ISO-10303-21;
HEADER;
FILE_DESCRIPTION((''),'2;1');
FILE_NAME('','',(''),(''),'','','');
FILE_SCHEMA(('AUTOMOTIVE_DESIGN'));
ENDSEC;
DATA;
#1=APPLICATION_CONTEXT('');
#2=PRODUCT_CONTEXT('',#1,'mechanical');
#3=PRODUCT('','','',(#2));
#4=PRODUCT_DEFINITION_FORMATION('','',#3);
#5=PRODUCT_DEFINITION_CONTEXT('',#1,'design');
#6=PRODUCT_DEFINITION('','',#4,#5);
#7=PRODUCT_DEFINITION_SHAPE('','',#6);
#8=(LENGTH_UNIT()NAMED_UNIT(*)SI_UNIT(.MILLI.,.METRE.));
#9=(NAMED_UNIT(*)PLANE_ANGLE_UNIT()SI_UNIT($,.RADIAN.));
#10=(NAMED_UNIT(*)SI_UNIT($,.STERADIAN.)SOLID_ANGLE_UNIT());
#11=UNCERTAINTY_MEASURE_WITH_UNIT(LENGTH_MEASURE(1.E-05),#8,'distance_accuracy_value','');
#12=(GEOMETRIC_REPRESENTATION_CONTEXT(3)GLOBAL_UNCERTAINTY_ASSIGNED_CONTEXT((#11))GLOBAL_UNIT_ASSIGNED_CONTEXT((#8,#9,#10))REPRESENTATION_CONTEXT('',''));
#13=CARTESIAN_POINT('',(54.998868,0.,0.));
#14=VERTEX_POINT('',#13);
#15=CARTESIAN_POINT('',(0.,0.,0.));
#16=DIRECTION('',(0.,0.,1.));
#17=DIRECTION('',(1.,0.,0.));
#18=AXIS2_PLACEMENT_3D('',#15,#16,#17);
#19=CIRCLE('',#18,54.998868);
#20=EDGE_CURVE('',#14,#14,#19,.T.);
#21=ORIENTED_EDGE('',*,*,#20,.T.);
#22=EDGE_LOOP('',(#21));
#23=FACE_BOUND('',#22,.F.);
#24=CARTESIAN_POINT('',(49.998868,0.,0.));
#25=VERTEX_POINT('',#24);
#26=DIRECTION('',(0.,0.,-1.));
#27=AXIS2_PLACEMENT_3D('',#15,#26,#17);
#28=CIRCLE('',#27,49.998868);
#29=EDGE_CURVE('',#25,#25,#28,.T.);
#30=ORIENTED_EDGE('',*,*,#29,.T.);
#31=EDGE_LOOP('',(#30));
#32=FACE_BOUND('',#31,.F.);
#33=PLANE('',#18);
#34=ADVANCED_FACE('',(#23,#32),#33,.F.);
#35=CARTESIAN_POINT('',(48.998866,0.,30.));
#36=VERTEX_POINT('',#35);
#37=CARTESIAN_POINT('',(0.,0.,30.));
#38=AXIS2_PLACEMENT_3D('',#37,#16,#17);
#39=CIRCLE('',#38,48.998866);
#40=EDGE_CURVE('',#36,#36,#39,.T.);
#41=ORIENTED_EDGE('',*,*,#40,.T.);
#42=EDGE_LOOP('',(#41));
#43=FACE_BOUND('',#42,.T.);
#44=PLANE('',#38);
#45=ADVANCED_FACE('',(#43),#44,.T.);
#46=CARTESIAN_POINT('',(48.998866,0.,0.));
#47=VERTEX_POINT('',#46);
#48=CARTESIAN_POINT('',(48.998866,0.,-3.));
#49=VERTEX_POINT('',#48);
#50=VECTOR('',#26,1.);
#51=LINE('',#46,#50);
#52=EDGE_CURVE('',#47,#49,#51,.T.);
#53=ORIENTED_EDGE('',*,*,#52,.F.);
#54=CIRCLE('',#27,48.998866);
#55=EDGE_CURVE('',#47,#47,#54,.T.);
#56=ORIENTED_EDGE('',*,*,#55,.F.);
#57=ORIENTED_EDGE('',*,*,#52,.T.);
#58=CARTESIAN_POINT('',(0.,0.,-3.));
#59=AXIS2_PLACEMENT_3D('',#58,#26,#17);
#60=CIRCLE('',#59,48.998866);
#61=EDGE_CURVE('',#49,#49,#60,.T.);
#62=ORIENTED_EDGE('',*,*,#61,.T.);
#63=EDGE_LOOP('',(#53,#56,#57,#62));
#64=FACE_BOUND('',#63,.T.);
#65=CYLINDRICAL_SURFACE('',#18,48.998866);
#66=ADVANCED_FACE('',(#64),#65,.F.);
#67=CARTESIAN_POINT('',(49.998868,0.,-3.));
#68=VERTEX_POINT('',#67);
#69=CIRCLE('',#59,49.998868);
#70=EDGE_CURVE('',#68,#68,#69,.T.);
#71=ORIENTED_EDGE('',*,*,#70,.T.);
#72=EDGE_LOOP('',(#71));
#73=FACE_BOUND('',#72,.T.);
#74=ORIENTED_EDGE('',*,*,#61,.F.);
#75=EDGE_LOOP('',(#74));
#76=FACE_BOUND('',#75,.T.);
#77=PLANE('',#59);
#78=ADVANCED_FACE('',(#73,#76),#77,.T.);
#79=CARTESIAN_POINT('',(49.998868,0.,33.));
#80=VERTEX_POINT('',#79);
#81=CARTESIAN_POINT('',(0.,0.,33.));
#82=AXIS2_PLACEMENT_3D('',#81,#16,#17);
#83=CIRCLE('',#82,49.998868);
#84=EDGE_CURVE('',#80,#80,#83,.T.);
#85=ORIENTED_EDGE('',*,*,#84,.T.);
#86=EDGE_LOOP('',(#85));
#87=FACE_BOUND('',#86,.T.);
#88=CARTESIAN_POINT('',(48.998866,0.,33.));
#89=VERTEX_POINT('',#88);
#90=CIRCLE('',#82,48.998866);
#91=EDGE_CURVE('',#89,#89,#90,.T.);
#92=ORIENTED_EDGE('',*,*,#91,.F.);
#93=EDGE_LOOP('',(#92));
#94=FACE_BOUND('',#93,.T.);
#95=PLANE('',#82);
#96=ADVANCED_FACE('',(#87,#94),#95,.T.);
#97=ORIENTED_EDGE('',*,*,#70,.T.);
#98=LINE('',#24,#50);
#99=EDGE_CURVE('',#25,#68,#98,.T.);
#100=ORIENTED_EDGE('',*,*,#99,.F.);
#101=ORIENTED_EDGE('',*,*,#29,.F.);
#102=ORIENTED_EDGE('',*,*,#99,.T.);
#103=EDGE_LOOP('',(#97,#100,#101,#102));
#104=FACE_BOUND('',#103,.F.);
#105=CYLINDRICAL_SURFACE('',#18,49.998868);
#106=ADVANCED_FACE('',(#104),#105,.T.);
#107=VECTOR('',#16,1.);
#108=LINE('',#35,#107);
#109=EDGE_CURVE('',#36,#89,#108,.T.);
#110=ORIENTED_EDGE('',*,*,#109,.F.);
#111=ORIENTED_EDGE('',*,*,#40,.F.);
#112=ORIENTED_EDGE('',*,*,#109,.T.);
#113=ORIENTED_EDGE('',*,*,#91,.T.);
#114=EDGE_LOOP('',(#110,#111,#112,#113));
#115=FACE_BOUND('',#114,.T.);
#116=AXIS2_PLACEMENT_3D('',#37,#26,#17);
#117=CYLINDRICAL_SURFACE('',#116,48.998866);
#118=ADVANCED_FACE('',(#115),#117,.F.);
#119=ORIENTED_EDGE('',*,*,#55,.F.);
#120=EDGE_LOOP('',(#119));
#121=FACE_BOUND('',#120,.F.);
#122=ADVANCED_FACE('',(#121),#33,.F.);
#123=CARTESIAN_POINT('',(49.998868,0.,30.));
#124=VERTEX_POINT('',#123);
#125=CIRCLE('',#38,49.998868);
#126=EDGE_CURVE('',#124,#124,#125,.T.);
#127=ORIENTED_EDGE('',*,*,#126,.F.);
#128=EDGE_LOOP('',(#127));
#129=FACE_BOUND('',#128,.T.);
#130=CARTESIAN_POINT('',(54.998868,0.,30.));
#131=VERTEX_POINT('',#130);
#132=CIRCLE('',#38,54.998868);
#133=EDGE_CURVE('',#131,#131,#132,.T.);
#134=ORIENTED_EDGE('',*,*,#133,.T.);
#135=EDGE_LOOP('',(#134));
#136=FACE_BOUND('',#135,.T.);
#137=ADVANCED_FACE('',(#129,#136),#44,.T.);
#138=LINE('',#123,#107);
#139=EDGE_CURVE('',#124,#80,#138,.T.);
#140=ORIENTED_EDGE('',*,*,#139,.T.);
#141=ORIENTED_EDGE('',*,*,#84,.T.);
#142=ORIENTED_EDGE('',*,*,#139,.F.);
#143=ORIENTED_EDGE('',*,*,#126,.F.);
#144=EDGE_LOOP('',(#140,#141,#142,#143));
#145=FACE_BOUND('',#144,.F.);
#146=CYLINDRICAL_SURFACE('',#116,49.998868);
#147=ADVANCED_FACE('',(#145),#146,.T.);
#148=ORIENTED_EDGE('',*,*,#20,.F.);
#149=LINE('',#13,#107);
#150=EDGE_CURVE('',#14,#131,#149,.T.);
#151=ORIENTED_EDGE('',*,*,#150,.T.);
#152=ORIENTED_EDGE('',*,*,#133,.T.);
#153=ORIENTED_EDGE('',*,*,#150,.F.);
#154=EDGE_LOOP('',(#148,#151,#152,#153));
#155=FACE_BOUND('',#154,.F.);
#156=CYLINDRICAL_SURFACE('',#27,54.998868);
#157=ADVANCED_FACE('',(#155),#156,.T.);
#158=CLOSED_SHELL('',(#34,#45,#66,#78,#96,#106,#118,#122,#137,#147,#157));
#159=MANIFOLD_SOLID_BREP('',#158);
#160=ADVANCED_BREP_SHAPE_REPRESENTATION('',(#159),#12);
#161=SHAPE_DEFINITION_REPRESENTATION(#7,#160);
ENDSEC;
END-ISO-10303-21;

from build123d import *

# Parameters (mm, degrees)
F0_R     = 54.998868
F1_DEPTH = 30
F2_R     = 49.998868
F2_R_2   = 48.998866
F3_DEPTH = 3
F4_R     = 49.998868
F4_R_2   = 48.998866
F5_DEPTH = 3


with BuildPart() as f1:
    # F0 (on Top) → F1 (new body)
    with BuildSketch(Plane.XY):
        Circle(F0_R)
    extrude(amount=F1_DEPTH)

    # F2 (on face) → F3 (join)
    with BuildSketch(Plane(origin=(0, 0, 0), x_dir=(1, 0, 0), z_dir=(0, 0, -1))):
        Circle(F2_R)
        Circle(F2_R_2, mode=Mode.SUBTRACT)
    extrude(amount=F3_DEPTH)

    # F4 (on face) → F5 (join)
    with BuildSketch(Plane.XY.offset(30)):
        Circle(F4_R)
        Circle(F4_R_2, mode=Mode.SUBTRACT)
    extrude(amount=F5_DEPTH)


solid = f1.part
